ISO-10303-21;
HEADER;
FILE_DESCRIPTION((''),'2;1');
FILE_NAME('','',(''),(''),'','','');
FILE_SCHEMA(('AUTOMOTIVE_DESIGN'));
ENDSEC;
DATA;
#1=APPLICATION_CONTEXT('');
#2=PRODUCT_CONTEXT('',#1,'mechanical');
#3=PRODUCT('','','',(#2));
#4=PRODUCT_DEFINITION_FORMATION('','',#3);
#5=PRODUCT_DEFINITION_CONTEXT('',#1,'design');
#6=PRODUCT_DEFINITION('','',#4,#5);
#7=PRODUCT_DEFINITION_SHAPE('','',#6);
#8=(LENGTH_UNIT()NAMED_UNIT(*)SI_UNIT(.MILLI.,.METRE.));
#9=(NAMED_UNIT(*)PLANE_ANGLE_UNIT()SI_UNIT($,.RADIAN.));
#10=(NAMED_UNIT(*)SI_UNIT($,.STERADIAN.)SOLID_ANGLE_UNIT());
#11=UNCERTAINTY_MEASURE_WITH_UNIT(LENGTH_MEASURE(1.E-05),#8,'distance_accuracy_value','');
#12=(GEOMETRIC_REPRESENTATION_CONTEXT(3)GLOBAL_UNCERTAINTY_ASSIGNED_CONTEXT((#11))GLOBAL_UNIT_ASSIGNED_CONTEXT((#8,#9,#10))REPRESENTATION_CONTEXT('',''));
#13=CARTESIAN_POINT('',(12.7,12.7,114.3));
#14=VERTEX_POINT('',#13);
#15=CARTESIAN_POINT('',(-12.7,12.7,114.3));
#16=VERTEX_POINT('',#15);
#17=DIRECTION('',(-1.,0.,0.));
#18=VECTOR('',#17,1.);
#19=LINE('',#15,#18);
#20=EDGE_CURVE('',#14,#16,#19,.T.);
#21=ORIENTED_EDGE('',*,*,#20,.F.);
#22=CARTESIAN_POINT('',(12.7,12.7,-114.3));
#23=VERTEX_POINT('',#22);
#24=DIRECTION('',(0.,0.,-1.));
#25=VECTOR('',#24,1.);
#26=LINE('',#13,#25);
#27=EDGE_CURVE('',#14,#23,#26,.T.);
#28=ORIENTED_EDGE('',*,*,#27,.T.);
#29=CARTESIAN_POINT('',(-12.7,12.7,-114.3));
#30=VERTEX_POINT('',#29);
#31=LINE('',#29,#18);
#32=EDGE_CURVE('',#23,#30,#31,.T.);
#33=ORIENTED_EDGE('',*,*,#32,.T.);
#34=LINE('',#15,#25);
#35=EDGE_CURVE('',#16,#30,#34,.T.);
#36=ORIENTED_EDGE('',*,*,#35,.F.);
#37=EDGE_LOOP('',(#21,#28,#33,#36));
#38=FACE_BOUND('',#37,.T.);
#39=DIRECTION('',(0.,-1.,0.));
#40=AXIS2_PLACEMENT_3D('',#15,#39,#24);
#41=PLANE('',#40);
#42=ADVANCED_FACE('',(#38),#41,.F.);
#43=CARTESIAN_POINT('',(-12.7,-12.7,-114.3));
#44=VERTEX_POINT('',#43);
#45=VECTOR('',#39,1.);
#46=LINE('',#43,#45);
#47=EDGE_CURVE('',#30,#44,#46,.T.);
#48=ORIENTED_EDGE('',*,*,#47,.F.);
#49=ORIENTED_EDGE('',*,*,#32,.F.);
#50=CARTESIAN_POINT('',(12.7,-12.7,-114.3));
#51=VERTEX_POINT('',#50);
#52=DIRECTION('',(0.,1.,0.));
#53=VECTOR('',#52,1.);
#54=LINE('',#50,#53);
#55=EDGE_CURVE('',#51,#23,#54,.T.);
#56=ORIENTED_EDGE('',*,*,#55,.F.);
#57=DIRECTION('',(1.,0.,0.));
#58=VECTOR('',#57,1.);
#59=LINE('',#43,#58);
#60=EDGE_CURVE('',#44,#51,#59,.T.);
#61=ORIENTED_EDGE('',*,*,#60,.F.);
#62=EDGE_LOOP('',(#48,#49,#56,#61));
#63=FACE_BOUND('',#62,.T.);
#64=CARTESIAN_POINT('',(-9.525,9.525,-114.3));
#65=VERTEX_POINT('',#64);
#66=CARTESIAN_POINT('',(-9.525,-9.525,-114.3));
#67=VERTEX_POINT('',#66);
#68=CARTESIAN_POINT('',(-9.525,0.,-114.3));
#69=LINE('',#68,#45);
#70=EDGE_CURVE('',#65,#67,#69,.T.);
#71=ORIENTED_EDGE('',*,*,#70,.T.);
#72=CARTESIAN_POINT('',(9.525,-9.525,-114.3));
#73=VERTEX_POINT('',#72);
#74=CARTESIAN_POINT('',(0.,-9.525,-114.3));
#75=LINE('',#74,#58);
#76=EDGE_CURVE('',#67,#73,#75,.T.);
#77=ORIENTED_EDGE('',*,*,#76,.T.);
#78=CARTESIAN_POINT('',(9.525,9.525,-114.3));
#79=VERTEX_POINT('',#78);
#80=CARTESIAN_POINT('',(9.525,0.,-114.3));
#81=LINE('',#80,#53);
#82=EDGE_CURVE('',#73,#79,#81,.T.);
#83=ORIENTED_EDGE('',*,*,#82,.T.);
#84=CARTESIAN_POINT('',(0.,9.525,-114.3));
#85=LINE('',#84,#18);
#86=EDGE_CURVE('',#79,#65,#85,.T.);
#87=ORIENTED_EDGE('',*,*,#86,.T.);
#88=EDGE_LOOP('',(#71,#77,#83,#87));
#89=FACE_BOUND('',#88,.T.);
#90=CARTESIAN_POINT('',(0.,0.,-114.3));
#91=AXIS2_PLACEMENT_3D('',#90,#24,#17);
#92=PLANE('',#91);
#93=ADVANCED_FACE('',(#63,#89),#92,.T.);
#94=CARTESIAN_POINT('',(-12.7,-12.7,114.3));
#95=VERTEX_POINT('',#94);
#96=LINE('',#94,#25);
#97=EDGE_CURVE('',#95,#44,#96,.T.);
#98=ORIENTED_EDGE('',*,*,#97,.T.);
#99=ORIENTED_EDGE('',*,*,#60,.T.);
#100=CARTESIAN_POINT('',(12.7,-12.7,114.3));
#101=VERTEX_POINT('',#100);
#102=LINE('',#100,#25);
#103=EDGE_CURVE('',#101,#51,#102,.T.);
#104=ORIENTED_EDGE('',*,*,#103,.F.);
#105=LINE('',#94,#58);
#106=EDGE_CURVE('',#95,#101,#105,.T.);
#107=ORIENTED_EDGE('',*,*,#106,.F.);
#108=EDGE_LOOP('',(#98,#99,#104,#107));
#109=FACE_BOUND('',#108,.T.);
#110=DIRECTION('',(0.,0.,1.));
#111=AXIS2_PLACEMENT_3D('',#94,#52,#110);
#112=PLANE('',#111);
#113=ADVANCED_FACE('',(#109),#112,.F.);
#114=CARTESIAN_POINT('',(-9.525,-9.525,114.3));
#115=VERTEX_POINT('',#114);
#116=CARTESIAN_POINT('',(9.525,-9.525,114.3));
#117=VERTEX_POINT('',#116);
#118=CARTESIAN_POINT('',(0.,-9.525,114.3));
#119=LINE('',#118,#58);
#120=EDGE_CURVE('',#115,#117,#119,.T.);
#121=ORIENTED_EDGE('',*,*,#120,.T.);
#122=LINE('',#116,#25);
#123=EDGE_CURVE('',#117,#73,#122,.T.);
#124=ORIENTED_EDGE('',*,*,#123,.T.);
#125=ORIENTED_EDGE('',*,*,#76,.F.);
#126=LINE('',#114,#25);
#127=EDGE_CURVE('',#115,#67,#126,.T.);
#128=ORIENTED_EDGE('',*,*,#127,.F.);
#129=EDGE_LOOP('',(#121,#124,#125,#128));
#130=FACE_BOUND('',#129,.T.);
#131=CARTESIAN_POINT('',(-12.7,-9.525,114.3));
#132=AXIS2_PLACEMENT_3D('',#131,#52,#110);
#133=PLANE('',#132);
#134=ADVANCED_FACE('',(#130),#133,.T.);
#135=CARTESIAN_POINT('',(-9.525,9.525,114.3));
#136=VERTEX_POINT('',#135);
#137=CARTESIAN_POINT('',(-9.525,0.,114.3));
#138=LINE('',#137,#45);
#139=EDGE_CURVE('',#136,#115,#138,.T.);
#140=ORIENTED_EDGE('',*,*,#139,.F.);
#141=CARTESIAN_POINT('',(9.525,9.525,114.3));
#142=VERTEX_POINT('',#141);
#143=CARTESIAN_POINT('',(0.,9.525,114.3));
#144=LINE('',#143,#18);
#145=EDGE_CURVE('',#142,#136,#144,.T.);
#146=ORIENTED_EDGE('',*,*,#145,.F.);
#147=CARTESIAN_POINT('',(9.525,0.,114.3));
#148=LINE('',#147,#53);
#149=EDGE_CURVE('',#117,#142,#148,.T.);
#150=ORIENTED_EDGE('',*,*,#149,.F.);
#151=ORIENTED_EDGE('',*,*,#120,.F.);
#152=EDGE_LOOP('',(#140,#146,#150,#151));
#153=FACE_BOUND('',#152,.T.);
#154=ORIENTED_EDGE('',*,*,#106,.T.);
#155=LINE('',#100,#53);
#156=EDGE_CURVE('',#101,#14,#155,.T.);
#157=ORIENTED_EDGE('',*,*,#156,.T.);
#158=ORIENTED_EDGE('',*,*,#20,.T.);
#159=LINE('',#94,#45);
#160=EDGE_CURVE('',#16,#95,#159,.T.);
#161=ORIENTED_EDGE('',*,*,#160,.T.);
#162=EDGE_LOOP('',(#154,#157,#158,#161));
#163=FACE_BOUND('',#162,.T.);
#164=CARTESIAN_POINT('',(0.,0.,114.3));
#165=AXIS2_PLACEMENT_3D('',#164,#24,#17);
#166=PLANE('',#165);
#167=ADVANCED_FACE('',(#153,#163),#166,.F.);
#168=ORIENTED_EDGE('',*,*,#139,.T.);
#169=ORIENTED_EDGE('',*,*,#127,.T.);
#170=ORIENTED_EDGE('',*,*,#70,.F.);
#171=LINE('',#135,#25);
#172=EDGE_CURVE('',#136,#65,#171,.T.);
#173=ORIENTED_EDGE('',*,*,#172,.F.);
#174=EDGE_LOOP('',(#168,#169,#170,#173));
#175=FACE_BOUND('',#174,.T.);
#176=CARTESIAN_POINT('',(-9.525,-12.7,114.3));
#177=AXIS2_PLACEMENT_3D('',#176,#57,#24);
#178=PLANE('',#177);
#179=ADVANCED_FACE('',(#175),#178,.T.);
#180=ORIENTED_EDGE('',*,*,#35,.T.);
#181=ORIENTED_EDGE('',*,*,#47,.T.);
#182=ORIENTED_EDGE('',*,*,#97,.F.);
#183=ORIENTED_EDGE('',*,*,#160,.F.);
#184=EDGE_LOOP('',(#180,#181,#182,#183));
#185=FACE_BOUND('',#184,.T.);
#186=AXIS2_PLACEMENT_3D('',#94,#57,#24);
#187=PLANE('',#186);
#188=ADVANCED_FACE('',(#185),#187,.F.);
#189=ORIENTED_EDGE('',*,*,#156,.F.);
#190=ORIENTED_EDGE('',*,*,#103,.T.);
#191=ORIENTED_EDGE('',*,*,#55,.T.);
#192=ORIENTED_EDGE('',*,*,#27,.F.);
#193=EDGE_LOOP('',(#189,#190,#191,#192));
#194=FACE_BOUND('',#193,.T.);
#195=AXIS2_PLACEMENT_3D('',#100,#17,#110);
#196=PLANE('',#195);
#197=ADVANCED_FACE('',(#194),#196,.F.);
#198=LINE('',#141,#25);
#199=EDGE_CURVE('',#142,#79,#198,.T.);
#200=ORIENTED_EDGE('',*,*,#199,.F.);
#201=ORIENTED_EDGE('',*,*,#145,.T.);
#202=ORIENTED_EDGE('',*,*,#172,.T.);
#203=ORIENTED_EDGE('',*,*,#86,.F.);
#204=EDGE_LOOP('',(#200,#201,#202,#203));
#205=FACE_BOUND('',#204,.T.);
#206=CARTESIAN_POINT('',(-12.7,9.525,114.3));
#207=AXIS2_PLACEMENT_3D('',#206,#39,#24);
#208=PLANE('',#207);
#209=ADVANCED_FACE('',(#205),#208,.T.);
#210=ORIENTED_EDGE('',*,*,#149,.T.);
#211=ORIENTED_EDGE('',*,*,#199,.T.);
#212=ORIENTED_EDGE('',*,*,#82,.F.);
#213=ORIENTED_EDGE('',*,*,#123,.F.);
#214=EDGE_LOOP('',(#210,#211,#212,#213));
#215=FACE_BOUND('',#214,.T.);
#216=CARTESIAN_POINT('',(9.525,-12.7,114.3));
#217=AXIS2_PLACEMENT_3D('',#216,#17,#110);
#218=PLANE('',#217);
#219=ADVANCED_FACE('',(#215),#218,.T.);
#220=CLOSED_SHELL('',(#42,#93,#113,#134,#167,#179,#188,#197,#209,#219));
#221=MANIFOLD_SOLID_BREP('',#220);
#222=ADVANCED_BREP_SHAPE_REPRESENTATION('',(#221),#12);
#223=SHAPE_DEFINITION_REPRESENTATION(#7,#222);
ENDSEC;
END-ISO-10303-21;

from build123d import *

# Parameters (mm, degrees)
SKETCH1_W           = 25.4
SKETCH1_H           = 25.4
BOSS_EXTRUDE1_DEPTH = 114.3
SHELL1_T            = -3.175


with BuildPart() as part:
    # Sketch1 → Boss-Extrude1 (new, symmetric)
    with BuildSketch(Plane.XY):
        Rectangle(SKETCH1_W, SKETCH1_H)
    extrude(amount=BOSS_EXTRUDE1_DEPTH, both=True)

    # Shell1
    shell1_openings = [part.faces().sort_by_distance(p)[0] for p in [
        (0, 0, 114.3),
        (0, 0, -114.3),
    ]]
    offset(amount=SHELL1_T, openings=shell1_openings, kind=Kind.INTERSECTION)


solid = part.part
